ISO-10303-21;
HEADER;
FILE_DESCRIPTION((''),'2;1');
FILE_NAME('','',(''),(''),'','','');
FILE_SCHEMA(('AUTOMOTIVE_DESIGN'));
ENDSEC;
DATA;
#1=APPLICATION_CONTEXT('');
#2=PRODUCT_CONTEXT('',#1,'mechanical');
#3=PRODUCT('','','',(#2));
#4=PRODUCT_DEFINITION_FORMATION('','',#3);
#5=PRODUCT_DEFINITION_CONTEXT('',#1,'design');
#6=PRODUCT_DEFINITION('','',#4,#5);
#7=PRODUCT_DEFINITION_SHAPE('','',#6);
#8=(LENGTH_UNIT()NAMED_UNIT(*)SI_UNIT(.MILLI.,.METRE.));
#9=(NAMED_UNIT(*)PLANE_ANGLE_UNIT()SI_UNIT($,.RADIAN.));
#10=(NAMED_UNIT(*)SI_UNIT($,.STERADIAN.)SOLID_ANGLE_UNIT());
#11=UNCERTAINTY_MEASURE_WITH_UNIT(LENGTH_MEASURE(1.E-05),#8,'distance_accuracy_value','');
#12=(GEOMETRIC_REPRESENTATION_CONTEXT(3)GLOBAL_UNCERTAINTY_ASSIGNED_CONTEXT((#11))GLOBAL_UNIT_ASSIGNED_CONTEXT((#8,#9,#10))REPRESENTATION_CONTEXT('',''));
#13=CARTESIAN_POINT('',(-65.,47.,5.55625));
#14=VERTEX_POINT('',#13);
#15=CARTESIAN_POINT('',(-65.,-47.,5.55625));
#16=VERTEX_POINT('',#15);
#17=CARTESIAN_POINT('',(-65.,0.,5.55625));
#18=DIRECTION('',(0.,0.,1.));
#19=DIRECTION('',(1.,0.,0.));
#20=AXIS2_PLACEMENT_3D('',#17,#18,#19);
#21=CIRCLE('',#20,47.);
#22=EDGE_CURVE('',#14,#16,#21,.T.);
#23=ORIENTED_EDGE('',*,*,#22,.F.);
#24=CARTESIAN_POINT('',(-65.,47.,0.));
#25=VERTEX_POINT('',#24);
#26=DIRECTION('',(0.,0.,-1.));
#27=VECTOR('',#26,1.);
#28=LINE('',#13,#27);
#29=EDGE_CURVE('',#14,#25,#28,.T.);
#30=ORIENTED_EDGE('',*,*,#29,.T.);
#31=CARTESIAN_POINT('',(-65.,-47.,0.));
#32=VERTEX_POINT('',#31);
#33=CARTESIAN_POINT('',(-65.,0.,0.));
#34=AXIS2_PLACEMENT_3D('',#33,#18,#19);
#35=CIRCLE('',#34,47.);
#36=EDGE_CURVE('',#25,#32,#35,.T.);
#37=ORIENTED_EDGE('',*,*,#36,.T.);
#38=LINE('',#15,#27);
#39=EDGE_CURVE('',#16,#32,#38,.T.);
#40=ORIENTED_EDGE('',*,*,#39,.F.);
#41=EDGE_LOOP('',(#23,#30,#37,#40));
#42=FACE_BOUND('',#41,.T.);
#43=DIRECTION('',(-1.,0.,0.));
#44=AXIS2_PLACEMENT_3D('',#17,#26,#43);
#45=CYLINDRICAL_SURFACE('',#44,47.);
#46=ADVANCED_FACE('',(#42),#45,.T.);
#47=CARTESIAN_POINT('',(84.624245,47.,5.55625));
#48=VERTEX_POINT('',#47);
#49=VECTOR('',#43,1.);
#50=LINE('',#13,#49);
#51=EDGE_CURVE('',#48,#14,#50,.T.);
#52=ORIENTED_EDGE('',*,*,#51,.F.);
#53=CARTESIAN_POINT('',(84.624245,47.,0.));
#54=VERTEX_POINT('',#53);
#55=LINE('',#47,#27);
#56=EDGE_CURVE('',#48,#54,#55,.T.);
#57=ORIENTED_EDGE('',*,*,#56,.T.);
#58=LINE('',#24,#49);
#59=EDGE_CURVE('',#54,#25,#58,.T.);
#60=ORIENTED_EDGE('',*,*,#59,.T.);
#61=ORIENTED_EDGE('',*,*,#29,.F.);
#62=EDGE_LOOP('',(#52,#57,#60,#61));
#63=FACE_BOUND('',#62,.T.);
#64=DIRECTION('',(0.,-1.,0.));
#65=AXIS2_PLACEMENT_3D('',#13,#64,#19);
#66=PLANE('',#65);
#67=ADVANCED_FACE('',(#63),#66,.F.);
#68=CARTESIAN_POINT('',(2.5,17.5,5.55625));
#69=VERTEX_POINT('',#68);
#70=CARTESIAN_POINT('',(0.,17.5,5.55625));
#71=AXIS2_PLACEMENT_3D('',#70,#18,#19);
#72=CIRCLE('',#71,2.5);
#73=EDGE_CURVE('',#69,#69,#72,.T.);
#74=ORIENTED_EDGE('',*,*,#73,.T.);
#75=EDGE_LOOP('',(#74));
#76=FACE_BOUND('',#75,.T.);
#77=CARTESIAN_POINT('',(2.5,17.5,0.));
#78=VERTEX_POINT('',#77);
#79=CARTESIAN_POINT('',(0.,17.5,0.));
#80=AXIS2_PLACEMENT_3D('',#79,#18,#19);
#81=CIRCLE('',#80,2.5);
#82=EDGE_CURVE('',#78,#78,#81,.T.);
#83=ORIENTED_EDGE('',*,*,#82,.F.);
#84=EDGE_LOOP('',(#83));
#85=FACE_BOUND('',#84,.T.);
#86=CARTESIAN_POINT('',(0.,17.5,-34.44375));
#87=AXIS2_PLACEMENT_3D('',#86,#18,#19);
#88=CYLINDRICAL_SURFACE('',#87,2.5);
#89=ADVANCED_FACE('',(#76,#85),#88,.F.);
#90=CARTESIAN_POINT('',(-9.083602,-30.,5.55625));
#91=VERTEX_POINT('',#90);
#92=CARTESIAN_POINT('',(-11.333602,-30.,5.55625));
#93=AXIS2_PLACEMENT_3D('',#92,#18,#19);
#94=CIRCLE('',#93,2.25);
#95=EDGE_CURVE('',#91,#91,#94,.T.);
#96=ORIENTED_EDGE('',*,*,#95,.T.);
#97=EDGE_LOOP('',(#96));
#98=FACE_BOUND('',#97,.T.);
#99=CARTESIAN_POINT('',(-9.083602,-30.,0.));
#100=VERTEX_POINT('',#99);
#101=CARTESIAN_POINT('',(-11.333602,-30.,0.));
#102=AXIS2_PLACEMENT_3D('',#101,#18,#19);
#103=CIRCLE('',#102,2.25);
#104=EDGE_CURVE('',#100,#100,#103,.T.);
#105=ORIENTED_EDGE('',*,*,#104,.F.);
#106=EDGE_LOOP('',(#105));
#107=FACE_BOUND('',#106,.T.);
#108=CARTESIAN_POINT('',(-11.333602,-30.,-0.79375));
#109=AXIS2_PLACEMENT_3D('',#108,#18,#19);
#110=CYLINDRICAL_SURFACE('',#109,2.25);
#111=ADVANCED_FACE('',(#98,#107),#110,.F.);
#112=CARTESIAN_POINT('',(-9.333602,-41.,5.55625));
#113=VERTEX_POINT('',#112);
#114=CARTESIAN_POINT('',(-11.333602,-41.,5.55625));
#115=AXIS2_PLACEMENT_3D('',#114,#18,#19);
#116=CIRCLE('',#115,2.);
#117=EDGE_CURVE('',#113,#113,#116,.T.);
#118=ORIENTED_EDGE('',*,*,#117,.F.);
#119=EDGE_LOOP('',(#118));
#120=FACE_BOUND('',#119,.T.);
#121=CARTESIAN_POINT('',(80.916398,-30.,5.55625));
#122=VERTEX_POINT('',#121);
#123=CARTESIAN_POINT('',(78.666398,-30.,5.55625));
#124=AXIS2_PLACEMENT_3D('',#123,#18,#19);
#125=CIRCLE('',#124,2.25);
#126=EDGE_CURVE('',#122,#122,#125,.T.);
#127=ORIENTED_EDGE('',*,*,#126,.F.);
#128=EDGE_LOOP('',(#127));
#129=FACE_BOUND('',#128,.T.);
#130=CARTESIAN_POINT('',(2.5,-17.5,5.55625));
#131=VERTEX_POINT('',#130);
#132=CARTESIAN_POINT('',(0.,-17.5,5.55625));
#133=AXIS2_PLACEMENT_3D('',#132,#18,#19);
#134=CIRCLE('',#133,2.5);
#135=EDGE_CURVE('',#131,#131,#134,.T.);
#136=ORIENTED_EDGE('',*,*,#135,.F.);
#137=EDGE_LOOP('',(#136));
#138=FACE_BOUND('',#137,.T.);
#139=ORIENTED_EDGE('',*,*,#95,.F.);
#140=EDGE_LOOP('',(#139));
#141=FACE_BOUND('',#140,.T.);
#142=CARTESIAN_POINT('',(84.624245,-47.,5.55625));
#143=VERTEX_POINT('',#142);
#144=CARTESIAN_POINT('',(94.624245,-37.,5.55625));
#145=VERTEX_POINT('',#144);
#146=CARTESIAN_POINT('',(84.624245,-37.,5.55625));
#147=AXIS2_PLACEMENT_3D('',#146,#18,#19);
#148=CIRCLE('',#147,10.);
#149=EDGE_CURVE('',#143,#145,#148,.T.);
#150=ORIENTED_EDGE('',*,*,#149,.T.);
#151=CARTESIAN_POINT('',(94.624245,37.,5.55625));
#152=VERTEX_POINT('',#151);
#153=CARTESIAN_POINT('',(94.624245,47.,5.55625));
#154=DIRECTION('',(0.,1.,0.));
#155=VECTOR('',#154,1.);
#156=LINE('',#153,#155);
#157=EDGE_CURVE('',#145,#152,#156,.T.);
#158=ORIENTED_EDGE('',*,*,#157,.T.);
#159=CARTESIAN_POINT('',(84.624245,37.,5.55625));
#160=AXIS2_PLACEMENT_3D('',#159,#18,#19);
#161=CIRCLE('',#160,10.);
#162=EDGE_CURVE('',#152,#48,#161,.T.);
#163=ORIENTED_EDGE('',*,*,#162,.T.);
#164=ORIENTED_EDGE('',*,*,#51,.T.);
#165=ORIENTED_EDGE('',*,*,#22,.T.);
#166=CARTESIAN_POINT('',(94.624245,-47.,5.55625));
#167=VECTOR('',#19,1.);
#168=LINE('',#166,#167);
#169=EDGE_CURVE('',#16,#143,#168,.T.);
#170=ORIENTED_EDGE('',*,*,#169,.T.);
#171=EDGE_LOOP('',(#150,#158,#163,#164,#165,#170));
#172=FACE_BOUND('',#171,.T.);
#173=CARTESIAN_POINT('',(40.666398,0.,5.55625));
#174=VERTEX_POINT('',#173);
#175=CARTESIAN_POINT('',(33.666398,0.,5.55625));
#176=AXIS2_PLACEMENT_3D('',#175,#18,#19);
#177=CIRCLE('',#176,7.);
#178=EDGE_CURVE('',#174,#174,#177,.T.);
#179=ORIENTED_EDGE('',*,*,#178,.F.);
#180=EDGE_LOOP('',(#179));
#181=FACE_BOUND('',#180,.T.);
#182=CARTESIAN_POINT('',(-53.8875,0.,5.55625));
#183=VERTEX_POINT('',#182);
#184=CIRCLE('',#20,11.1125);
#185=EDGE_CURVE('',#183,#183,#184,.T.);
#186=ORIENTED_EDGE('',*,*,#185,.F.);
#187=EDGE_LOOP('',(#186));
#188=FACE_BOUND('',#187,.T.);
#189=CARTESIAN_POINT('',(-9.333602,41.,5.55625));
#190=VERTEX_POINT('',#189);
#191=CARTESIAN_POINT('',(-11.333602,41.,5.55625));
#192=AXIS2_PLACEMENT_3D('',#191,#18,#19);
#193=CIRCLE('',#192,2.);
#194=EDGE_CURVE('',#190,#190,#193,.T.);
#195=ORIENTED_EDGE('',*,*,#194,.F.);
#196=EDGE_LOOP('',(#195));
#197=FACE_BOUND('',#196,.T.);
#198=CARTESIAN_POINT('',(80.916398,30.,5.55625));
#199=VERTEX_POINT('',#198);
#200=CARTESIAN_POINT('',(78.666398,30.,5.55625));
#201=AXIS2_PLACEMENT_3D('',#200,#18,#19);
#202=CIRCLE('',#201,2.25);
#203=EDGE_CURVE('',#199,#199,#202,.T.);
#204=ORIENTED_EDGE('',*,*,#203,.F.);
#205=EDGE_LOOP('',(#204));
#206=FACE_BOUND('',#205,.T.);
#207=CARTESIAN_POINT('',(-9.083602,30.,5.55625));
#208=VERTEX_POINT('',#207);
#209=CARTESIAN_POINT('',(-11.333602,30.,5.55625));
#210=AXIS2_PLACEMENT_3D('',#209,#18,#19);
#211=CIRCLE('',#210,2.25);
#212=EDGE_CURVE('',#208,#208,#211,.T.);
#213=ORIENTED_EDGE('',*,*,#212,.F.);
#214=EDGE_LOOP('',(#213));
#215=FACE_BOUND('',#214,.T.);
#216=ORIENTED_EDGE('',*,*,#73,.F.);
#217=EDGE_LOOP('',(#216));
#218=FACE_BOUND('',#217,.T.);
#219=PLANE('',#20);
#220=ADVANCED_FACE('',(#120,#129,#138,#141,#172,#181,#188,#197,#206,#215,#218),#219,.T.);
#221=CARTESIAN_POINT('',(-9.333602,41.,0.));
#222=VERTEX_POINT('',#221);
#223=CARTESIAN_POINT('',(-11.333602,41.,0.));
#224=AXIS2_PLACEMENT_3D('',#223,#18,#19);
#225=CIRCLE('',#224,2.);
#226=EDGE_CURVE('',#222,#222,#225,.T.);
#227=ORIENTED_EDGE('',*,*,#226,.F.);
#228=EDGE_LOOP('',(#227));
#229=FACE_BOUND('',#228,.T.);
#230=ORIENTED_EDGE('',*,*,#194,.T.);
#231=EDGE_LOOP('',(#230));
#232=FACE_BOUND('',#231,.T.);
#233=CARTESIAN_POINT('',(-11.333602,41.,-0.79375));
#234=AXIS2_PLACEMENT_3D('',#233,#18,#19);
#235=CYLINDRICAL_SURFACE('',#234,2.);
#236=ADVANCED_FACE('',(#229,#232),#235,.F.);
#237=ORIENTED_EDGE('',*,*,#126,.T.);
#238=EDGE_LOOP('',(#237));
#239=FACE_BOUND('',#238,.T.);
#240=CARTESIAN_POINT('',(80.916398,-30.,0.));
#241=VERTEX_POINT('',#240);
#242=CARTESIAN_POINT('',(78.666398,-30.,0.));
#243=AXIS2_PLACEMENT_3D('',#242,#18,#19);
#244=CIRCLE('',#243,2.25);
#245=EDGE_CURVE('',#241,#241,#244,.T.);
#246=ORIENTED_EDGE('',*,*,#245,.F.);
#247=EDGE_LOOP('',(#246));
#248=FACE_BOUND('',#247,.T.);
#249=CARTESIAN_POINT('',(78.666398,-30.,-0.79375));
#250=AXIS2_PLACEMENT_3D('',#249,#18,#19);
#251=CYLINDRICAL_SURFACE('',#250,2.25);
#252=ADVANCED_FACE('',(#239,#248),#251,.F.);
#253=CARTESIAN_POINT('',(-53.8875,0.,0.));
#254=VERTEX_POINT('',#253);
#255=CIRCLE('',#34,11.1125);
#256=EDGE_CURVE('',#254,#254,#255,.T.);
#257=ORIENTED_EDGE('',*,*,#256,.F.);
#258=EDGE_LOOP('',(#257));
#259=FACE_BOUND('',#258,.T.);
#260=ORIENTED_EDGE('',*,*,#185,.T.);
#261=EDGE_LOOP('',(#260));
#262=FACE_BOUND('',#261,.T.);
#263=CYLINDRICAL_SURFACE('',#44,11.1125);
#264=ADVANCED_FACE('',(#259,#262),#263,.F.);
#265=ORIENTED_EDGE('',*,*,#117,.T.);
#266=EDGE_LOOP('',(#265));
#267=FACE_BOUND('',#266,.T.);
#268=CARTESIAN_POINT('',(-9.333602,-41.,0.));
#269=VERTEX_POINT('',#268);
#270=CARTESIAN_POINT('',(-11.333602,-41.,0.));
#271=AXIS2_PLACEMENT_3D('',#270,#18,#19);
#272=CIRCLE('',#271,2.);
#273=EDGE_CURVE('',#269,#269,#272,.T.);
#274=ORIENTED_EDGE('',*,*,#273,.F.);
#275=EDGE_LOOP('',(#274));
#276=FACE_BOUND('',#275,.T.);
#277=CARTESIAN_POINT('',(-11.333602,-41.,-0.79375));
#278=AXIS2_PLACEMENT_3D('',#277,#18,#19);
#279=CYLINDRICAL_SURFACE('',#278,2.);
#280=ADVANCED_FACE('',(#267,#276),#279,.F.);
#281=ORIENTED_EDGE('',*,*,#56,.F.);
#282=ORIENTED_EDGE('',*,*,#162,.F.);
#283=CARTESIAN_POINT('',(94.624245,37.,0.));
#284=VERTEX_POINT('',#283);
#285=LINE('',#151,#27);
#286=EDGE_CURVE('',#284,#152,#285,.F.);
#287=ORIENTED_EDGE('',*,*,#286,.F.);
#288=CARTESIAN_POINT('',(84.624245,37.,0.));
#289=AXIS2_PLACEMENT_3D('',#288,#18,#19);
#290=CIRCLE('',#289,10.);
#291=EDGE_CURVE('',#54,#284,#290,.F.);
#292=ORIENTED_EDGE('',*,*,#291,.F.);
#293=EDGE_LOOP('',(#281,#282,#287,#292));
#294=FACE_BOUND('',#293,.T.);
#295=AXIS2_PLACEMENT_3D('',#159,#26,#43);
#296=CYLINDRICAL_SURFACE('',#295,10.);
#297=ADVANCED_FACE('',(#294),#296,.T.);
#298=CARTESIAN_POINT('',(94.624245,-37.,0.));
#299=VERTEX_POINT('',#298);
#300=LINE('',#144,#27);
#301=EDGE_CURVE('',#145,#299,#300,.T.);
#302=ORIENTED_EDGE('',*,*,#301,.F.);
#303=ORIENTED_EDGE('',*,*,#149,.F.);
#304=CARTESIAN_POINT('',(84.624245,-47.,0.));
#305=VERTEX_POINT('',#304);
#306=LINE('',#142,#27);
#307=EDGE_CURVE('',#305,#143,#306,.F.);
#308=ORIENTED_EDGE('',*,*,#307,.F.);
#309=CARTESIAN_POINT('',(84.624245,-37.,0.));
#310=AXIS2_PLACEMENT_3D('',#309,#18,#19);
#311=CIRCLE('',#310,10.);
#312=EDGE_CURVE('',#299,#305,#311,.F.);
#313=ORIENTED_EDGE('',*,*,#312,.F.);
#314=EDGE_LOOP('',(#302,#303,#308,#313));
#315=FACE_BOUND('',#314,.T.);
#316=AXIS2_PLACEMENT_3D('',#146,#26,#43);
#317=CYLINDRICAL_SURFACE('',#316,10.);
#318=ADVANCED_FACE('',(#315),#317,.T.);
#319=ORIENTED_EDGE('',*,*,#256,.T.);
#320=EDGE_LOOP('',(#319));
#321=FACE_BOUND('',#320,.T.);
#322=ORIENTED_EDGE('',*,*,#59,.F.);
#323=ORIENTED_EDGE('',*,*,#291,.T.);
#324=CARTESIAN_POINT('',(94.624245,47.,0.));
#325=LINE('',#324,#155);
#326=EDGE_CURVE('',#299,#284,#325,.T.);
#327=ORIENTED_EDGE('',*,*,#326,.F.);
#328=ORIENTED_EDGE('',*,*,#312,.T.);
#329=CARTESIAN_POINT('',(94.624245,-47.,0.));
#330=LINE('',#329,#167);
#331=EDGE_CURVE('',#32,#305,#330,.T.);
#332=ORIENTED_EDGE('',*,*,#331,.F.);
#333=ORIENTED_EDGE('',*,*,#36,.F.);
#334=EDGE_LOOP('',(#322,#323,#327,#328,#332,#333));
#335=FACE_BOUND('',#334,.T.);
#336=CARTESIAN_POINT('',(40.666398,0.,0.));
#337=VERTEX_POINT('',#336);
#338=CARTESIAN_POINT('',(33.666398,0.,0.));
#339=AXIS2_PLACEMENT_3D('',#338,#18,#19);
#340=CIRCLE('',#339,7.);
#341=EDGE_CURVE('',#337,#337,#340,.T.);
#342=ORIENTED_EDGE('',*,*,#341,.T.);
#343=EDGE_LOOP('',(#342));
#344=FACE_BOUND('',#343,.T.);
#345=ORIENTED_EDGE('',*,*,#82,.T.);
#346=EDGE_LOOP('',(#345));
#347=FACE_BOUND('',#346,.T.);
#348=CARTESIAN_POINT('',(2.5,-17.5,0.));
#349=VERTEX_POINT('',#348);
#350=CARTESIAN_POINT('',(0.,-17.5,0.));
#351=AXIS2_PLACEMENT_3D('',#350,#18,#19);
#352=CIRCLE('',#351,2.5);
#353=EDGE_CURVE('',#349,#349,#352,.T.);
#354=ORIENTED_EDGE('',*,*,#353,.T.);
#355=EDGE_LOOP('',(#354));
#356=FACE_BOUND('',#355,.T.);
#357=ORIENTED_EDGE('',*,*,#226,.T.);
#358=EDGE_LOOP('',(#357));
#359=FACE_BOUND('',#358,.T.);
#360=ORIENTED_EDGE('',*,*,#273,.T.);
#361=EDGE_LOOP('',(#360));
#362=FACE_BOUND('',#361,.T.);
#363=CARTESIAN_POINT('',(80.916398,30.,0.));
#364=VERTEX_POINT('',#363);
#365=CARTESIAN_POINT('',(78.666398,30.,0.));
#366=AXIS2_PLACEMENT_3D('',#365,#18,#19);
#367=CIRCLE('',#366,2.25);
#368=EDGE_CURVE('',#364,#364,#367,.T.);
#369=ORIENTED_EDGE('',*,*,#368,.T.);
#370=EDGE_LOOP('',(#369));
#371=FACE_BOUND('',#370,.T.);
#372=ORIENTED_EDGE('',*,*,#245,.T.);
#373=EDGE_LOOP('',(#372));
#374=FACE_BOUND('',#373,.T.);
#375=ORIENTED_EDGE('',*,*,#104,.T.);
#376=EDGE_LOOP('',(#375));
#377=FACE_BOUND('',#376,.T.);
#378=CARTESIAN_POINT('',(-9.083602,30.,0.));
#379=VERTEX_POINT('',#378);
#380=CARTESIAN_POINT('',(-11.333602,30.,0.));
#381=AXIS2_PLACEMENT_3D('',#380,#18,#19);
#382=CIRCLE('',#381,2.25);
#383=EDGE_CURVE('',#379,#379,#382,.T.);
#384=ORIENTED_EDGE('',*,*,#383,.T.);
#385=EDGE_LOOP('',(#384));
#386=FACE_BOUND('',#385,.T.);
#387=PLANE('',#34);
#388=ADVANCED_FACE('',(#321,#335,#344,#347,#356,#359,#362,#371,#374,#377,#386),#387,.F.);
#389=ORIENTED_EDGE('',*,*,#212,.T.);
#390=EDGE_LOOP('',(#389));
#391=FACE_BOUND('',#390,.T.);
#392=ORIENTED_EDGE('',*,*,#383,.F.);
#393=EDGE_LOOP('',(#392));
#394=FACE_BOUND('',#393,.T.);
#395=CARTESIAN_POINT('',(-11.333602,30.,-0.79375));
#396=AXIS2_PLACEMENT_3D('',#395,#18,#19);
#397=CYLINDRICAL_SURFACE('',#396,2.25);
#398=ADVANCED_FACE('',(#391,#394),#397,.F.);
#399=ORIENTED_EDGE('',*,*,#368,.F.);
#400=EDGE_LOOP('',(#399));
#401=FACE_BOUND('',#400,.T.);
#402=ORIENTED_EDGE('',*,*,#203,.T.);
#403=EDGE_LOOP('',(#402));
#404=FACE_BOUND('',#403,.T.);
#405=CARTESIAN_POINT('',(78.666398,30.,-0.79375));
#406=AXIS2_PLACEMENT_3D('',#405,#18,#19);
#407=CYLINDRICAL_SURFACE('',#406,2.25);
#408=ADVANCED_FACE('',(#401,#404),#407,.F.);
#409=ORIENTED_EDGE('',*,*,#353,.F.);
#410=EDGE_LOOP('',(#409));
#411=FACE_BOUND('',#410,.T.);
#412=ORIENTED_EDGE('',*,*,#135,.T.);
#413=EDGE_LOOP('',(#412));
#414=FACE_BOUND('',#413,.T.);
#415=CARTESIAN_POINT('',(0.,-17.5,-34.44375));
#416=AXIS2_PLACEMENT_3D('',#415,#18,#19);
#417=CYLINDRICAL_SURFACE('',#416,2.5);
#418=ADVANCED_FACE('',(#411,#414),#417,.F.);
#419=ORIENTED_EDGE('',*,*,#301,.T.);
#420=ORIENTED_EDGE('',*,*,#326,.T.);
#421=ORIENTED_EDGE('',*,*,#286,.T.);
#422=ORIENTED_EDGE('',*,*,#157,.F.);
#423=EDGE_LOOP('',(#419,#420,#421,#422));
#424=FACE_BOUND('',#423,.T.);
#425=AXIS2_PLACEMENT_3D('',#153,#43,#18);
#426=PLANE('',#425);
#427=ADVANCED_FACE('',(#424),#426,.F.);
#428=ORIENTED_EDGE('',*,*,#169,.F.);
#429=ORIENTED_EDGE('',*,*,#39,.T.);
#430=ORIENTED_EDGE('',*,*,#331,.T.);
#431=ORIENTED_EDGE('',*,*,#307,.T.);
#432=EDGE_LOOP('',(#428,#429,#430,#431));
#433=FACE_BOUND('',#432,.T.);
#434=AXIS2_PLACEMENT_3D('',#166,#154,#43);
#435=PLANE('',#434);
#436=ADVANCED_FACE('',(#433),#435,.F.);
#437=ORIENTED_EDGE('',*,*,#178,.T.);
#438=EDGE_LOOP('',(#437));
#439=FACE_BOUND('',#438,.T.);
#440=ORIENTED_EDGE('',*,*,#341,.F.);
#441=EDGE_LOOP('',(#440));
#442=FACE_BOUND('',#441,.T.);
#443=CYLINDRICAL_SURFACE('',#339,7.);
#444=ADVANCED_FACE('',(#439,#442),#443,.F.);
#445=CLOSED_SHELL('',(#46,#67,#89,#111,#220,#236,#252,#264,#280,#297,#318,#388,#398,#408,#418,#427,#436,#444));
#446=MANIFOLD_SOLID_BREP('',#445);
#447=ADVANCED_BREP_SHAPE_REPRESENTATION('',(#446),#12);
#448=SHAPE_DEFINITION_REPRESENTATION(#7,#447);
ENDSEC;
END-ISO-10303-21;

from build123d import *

# Parameters (mm, degrees)
SKETCH1_R           = 11.1125
BOSS_EXTRUDE1_DEPTH = 5.55625
SKETCH2_R           = 7
CUT_EXTRUDE1_DEPTH  = 5.55625
FILLET1_R           = 10
SKETCH3_R           = 2.25
SKETCH3_R_2         = 2
CUT_EXTRUDE2_DEPTH  = 6.35
SKETCH4_R           = 2.5
CUT_EXTRUDE3_DEPTH  = 40


with BuildPart() as part:
    # Sketch1 → Boss-Extrude1 (new body)
    with BuildSketch(Plane.XY):
        with BuildLine():
            Line((-65, 47), (94.62424518, 47))
            Line((94.62424518, 47), (94.62424518, -47))
            Line((94.62424518, -47), (-65, -47))
            ThreePointArc((-65, -47), (-112, 0), (-65, 47))
        make_face()
        with Locations((-65, 0)):
            Circle(SKETCH1_R, mode=Mode.SUBTRACT)
    extrude(amount=BOSS_EXTRUDE1_DEPTH)

    # Sketch2 → Cut-Extrude1 (cut)
    with BuildSketch(Plane.XY.offset(5.55625)):
        with Locations((33.666397681, 0)):
            Circle(SKETCH2_R)
    extrude(amount=-CUT_EXTRUDE1_DEPTH, mode=Mode.SUBTRACT)

    # Fillet1
    fillet1_edges = [part.edges().sort_by_distance(p)[0] for p in [
        (94.62424518, 47, 2.778125),
        (94.62424518, -47, 2.778125),
    ]]
    fillet(fillet1_edges, radius=FILLET1_R)

    # Sketch3 → Cut-Extrude2 (cut)
    with BuildSketch(Plane.XY.offset(5.55625)):
        with Locations((78.666397681, 30)):
            Circle(SKETCH3_R)
        with Locations((78.666397681, -30)):
            Circle(SKETCH3_R)
        with Locations((-11.333602319, 30)):
            Circle(SKETCH3_R)
        with Locations((-11.333602319, -30)):
            Circle(SKETCH3_R)
        with Locations((-11.333602319, 41)):
            Circle(SKETCH3_R_2)
        with Locations((-11.333602319, -41)):
            Circle(SKETCH3_R_2)
    extrude(amount=-CUT_EXTRUDE2_DEPTH, mode=Mode.SUBTRACT)

    # Sketch4 → Cut-Extrude3 (cut)
    with BuildSketch(Plane.XY.offset(5.55625)):
        with Locations((0, 17.5)):
            Circle(SKETCH4_R)
        with Locations((0, -17.5)):
            Circle(SKETCH4_R)
    extrude(amount=-CUT_EXTRUDE3_DEPTH, mode=Mode.SUBTRACT)


solid = part.part
